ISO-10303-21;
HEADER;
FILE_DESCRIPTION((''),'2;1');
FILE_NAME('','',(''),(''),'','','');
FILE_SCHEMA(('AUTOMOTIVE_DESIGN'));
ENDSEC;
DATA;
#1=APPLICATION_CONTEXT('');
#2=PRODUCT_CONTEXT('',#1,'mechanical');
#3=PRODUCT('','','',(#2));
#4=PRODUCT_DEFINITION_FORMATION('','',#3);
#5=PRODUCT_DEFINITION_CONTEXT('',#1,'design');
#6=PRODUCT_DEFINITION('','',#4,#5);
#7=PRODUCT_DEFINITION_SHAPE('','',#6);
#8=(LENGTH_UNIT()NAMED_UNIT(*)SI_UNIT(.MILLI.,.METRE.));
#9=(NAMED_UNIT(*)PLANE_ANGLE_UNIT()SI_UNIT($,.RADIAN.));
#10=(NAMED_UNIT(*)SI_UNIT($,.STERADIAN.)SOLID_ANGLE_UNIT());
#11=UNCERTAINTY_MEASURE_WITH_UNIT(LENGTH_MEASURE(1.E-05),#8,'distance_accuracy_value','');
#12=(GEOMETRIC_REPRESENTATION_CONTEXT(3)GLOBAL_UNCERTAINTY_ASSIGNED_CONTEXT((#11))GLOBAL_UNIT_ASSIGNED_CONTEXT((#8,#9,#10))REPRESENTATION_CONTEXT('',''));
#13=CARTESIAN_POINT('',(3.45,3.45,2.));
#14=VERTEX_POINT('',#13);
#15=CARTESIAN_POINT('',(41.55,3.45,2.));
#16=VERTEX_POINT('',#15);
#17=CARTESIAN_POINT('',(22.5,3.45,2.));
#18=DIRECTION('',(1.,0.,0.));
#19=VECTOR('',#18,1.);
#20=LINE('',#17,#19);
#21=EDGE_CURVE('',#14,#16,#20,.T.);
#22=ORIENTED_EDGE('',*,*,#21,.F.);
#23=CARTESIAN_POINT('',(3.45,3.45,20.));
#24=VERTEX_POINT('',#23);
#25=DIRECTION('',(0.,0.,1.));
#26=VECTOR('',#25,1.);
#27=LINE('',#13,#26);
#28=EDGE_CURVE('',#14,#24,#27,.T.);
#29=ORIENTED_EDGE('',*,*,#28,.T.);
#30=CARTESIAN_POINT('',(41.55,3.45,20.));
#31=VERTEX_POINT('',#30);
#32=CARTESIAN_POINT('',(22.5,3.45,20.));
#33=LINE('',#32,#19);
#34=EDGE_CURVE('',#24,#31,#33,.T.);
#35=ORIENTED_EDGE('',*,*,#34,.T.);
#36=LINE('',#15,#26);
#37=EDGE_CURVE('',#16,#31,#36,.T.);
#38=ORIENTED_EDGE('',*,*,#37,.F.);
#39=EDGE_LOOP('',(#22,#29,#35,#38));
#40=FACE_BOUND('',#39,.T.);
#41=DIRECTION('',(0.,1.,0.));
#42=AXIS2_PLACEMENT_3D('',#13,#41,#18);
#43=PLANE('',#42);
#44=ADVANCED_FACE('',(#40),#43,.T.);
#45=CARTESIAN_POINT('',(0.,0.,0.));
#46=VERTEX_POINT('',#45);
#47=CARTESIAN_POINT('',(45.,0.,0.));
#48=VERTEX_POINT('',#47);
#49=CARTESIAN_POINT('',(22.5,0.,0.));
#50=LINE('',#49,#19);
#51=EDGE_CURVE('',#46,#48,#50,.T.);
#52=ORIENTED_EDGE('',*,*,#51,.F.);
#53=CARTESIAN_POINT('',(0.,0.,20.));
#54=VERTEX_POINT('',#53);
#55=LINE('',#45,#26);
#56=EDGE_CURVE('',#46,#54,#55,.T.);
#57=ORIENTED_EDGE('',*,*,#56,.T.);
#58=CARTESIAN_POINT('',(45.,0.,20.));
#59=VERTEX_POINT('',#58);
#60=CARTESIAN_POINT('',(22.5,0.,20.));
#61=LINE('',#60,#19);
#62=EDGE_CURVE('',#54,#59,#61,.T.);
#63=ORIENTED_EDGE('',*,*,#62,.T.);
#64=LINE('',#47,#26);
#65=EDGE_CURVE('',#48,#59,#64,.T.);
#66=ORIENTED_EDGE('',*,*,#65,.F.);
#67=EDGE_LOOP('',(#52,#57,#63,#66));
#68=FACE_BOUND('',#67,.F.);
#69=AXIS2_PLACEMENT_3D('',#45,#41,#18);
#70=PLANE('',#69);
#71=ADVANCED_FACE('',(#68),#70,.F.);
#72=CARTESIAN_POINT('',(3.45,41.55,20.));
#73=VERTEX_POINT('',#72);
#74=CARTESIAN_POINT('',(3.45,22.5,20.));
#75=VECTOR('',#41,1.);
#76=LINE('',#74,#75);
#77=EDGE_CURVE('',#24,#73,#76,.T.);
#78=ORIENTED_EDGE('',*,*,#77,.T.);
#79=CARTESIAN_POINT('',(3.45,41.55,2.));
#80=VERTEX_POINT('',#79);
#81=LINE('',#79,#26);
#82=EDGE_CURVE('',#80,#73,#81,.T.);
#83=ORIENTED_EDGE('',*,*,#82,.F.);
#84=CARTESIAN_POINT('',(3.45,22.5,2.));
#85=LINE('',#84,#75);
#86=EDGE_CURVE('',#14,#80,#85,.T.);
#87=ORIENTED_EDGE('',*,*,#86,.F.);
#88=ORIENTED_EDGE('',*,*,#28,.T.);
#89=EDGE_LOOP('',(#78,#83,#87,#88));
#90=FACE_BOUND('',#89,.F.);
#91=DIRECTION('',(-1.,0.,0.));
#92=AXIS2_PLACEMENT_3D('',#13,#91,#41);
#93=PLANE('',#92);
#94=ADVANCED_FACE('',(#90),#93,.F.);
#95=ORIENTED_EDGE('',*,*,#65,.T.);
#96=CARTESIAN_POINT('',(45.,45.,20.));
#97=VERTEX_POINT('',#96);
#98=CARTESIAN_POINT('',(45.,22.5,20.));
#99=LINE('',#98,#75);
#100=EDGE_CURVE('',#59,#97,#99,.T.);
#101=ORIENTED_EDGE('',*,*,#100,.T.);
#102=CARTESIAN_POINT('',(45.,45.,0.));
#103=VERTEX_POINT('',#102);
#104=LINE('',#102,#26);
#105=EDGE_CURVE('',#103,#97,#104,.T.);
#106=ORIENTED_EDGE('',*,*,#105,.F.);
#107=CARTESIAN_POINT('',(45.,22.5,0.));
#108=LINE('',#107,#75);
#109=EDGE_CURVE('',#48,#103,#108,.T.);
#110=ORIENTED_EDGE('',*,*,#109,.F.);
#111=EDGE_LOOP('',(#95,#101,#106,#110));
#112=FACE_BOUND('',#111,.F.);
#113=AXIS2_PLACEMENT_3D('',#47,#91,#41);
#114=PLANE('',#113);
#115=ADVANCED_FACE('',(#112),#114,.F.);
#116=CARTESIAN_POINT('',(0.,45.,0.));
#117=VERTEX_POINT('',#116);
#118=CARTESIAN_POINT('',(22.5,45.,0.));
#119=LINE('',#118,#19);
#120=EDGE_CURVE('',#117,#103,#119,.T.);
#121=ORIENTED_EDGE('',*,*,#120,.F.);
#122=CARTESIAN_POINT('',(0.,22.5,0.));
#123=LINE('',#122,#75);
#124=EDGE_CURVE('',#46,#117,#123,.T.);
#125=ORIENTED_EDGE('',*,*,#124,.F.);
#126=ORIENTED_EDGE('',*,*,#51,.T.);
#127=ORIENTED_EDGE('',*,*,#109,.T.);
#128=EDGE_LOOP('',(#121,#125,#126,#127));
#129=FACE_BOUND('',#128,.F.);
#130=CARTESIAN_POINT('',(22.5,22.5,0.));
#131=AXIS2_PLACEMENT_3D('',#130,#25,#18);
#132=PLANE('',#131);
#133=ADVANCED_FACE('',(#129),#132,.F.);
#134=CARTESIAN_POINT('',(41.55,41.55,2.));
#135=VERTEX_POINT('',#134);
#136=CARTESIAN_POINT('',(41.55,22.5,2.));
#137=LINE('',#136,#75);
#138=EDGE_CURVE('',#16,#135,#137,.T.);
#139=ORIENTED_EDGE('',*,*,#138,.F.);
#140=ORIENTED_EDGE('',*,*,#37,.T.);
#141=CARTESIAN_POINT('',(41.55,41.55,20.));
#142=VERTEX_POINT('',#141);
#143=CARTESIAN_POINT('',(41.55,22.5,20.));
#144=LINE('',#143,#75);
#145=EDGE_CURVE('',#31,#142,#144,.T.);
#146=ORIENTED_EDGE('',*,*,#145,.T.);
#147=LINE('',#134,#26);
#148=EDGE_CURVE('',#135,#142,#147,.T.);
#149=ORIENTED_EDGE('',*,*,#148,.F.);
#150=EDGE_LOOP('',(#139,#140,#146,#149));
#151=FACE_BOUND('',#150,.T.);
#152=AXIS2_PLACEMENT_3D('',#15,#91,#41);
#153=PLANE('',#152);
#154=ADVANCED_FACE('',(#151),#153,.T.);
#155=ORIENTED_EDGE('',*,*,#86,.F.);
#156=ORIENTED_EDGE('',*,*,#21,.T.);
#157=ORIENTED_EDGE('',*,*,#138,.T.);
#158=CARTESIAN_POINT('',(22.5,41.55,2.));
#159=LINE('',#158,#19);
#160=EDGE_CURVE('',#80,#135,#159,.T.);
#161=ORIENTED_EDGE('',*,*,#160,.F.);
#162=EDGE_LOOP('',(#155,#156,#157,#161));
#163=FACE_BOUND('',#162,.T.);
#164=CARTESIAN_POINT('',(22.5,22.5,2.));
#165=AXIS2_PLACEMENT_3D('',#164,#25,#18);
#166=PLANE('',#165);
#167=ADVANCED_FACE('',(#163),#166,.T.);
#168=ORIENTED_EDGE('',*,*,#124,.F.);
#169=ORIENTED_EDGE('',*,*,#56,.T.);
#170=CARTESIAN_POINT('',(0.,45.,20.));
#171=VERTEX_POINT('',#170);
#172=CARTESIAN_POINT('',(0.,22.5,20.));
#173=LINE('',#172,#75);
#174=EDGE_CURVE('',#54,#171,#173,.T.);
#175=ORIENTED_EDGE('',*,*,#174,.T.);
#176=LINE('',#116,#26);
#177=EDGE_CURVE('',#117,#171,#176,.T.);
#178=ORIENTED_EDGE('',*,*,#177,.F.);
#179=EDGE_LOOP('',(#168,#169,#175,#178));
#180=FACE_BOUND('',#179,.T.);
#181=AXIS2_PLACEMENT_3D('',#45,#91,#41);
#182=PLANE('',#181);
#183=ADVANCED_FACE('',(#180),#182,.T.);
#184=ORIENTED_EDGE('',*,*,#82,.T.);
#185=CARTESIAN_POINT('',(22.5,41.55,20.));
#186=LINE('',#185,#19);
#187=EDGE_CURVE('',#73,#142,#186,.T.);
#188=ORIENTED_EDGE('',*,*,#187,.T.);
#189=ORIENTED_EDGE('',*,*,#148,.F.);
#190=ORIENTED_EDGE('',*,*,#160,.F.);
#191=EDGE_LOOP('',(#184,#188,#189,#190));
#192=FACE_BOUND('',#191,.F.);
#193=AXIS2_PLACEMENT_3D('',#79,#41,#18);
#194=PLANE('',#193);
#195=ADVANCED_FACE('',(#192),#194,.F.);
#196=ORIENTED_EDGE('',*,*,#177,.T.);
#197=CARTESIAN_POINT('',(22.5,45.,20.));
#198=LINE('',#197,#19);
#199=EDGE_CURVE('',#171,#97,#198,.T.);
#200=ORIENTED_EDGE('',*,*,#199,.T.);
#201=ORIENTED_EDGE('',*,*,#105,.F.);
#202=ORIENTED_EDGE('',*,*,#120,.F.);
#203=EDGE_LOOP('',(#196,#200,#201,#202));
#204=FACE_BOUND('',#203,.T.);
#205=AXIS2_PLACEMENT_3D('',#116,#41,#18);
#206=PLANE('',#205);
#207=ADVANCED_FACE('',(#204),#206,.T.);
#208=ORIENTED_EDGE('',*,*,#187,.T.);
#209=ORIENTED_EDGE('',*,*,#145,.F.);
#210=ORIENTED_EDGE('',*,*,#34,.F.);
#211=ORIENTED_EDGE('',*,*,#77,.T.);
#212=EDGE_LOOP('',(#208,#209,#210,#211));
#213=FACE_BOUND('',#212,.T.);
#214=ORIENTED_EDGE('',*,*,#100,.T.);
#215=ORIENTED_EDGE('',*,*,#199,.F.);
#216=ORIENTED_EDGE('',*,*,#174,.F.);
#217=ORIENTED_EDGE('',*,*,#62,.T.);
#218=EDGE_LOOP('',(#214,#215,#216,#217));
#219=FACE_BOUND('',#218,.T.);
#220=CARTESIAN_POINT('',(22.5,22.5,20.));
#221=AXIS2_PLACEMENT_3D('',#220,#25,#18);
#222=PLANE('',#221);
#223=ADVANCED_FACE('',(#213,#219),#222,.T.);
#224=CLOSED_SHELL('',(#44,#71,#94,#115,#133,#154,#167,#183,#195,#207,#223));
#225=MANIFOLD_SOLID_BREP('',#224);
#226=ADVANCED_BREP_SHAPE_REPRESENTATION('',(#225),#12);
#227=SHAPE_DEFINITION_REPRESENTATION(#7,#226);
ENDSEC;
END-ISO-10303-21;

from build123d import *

# Parameters (mm, degrees)
BOX001_W     = 38.1
BOX001_H     = 38.1
BOX001_DEPTH = 18
BOX_W        = 45
BOX_H        = 45
BOX_DEPTH    = 20


with BuildPart() as cube001:
    # Box001 → Box001 (new body)
    with BuildSketch(Plane(origin=(3.45, 3.45, 2), x_dir=(1, 0, 0), z_dir=(0, 0, 1))):
        with Locations((19.05, 19.05)):
            Rectangle(BOX001_W, BOX001_H)
    extrude(amount=BOX001_DEPTH)


with BuildPart() as cut:
    # Box → Box (new body)
    with BuildSketch(Plane.XY):
        with Locations((22.5, 22.5)):
            Rectangle(BOX_W, BOX_H)
    extrude(amount=BOX_DEPTH)

    # Cut: cut Cube001
    add(cube001.part, mode=Mode.SUBTRACT)


solid = cut.part
